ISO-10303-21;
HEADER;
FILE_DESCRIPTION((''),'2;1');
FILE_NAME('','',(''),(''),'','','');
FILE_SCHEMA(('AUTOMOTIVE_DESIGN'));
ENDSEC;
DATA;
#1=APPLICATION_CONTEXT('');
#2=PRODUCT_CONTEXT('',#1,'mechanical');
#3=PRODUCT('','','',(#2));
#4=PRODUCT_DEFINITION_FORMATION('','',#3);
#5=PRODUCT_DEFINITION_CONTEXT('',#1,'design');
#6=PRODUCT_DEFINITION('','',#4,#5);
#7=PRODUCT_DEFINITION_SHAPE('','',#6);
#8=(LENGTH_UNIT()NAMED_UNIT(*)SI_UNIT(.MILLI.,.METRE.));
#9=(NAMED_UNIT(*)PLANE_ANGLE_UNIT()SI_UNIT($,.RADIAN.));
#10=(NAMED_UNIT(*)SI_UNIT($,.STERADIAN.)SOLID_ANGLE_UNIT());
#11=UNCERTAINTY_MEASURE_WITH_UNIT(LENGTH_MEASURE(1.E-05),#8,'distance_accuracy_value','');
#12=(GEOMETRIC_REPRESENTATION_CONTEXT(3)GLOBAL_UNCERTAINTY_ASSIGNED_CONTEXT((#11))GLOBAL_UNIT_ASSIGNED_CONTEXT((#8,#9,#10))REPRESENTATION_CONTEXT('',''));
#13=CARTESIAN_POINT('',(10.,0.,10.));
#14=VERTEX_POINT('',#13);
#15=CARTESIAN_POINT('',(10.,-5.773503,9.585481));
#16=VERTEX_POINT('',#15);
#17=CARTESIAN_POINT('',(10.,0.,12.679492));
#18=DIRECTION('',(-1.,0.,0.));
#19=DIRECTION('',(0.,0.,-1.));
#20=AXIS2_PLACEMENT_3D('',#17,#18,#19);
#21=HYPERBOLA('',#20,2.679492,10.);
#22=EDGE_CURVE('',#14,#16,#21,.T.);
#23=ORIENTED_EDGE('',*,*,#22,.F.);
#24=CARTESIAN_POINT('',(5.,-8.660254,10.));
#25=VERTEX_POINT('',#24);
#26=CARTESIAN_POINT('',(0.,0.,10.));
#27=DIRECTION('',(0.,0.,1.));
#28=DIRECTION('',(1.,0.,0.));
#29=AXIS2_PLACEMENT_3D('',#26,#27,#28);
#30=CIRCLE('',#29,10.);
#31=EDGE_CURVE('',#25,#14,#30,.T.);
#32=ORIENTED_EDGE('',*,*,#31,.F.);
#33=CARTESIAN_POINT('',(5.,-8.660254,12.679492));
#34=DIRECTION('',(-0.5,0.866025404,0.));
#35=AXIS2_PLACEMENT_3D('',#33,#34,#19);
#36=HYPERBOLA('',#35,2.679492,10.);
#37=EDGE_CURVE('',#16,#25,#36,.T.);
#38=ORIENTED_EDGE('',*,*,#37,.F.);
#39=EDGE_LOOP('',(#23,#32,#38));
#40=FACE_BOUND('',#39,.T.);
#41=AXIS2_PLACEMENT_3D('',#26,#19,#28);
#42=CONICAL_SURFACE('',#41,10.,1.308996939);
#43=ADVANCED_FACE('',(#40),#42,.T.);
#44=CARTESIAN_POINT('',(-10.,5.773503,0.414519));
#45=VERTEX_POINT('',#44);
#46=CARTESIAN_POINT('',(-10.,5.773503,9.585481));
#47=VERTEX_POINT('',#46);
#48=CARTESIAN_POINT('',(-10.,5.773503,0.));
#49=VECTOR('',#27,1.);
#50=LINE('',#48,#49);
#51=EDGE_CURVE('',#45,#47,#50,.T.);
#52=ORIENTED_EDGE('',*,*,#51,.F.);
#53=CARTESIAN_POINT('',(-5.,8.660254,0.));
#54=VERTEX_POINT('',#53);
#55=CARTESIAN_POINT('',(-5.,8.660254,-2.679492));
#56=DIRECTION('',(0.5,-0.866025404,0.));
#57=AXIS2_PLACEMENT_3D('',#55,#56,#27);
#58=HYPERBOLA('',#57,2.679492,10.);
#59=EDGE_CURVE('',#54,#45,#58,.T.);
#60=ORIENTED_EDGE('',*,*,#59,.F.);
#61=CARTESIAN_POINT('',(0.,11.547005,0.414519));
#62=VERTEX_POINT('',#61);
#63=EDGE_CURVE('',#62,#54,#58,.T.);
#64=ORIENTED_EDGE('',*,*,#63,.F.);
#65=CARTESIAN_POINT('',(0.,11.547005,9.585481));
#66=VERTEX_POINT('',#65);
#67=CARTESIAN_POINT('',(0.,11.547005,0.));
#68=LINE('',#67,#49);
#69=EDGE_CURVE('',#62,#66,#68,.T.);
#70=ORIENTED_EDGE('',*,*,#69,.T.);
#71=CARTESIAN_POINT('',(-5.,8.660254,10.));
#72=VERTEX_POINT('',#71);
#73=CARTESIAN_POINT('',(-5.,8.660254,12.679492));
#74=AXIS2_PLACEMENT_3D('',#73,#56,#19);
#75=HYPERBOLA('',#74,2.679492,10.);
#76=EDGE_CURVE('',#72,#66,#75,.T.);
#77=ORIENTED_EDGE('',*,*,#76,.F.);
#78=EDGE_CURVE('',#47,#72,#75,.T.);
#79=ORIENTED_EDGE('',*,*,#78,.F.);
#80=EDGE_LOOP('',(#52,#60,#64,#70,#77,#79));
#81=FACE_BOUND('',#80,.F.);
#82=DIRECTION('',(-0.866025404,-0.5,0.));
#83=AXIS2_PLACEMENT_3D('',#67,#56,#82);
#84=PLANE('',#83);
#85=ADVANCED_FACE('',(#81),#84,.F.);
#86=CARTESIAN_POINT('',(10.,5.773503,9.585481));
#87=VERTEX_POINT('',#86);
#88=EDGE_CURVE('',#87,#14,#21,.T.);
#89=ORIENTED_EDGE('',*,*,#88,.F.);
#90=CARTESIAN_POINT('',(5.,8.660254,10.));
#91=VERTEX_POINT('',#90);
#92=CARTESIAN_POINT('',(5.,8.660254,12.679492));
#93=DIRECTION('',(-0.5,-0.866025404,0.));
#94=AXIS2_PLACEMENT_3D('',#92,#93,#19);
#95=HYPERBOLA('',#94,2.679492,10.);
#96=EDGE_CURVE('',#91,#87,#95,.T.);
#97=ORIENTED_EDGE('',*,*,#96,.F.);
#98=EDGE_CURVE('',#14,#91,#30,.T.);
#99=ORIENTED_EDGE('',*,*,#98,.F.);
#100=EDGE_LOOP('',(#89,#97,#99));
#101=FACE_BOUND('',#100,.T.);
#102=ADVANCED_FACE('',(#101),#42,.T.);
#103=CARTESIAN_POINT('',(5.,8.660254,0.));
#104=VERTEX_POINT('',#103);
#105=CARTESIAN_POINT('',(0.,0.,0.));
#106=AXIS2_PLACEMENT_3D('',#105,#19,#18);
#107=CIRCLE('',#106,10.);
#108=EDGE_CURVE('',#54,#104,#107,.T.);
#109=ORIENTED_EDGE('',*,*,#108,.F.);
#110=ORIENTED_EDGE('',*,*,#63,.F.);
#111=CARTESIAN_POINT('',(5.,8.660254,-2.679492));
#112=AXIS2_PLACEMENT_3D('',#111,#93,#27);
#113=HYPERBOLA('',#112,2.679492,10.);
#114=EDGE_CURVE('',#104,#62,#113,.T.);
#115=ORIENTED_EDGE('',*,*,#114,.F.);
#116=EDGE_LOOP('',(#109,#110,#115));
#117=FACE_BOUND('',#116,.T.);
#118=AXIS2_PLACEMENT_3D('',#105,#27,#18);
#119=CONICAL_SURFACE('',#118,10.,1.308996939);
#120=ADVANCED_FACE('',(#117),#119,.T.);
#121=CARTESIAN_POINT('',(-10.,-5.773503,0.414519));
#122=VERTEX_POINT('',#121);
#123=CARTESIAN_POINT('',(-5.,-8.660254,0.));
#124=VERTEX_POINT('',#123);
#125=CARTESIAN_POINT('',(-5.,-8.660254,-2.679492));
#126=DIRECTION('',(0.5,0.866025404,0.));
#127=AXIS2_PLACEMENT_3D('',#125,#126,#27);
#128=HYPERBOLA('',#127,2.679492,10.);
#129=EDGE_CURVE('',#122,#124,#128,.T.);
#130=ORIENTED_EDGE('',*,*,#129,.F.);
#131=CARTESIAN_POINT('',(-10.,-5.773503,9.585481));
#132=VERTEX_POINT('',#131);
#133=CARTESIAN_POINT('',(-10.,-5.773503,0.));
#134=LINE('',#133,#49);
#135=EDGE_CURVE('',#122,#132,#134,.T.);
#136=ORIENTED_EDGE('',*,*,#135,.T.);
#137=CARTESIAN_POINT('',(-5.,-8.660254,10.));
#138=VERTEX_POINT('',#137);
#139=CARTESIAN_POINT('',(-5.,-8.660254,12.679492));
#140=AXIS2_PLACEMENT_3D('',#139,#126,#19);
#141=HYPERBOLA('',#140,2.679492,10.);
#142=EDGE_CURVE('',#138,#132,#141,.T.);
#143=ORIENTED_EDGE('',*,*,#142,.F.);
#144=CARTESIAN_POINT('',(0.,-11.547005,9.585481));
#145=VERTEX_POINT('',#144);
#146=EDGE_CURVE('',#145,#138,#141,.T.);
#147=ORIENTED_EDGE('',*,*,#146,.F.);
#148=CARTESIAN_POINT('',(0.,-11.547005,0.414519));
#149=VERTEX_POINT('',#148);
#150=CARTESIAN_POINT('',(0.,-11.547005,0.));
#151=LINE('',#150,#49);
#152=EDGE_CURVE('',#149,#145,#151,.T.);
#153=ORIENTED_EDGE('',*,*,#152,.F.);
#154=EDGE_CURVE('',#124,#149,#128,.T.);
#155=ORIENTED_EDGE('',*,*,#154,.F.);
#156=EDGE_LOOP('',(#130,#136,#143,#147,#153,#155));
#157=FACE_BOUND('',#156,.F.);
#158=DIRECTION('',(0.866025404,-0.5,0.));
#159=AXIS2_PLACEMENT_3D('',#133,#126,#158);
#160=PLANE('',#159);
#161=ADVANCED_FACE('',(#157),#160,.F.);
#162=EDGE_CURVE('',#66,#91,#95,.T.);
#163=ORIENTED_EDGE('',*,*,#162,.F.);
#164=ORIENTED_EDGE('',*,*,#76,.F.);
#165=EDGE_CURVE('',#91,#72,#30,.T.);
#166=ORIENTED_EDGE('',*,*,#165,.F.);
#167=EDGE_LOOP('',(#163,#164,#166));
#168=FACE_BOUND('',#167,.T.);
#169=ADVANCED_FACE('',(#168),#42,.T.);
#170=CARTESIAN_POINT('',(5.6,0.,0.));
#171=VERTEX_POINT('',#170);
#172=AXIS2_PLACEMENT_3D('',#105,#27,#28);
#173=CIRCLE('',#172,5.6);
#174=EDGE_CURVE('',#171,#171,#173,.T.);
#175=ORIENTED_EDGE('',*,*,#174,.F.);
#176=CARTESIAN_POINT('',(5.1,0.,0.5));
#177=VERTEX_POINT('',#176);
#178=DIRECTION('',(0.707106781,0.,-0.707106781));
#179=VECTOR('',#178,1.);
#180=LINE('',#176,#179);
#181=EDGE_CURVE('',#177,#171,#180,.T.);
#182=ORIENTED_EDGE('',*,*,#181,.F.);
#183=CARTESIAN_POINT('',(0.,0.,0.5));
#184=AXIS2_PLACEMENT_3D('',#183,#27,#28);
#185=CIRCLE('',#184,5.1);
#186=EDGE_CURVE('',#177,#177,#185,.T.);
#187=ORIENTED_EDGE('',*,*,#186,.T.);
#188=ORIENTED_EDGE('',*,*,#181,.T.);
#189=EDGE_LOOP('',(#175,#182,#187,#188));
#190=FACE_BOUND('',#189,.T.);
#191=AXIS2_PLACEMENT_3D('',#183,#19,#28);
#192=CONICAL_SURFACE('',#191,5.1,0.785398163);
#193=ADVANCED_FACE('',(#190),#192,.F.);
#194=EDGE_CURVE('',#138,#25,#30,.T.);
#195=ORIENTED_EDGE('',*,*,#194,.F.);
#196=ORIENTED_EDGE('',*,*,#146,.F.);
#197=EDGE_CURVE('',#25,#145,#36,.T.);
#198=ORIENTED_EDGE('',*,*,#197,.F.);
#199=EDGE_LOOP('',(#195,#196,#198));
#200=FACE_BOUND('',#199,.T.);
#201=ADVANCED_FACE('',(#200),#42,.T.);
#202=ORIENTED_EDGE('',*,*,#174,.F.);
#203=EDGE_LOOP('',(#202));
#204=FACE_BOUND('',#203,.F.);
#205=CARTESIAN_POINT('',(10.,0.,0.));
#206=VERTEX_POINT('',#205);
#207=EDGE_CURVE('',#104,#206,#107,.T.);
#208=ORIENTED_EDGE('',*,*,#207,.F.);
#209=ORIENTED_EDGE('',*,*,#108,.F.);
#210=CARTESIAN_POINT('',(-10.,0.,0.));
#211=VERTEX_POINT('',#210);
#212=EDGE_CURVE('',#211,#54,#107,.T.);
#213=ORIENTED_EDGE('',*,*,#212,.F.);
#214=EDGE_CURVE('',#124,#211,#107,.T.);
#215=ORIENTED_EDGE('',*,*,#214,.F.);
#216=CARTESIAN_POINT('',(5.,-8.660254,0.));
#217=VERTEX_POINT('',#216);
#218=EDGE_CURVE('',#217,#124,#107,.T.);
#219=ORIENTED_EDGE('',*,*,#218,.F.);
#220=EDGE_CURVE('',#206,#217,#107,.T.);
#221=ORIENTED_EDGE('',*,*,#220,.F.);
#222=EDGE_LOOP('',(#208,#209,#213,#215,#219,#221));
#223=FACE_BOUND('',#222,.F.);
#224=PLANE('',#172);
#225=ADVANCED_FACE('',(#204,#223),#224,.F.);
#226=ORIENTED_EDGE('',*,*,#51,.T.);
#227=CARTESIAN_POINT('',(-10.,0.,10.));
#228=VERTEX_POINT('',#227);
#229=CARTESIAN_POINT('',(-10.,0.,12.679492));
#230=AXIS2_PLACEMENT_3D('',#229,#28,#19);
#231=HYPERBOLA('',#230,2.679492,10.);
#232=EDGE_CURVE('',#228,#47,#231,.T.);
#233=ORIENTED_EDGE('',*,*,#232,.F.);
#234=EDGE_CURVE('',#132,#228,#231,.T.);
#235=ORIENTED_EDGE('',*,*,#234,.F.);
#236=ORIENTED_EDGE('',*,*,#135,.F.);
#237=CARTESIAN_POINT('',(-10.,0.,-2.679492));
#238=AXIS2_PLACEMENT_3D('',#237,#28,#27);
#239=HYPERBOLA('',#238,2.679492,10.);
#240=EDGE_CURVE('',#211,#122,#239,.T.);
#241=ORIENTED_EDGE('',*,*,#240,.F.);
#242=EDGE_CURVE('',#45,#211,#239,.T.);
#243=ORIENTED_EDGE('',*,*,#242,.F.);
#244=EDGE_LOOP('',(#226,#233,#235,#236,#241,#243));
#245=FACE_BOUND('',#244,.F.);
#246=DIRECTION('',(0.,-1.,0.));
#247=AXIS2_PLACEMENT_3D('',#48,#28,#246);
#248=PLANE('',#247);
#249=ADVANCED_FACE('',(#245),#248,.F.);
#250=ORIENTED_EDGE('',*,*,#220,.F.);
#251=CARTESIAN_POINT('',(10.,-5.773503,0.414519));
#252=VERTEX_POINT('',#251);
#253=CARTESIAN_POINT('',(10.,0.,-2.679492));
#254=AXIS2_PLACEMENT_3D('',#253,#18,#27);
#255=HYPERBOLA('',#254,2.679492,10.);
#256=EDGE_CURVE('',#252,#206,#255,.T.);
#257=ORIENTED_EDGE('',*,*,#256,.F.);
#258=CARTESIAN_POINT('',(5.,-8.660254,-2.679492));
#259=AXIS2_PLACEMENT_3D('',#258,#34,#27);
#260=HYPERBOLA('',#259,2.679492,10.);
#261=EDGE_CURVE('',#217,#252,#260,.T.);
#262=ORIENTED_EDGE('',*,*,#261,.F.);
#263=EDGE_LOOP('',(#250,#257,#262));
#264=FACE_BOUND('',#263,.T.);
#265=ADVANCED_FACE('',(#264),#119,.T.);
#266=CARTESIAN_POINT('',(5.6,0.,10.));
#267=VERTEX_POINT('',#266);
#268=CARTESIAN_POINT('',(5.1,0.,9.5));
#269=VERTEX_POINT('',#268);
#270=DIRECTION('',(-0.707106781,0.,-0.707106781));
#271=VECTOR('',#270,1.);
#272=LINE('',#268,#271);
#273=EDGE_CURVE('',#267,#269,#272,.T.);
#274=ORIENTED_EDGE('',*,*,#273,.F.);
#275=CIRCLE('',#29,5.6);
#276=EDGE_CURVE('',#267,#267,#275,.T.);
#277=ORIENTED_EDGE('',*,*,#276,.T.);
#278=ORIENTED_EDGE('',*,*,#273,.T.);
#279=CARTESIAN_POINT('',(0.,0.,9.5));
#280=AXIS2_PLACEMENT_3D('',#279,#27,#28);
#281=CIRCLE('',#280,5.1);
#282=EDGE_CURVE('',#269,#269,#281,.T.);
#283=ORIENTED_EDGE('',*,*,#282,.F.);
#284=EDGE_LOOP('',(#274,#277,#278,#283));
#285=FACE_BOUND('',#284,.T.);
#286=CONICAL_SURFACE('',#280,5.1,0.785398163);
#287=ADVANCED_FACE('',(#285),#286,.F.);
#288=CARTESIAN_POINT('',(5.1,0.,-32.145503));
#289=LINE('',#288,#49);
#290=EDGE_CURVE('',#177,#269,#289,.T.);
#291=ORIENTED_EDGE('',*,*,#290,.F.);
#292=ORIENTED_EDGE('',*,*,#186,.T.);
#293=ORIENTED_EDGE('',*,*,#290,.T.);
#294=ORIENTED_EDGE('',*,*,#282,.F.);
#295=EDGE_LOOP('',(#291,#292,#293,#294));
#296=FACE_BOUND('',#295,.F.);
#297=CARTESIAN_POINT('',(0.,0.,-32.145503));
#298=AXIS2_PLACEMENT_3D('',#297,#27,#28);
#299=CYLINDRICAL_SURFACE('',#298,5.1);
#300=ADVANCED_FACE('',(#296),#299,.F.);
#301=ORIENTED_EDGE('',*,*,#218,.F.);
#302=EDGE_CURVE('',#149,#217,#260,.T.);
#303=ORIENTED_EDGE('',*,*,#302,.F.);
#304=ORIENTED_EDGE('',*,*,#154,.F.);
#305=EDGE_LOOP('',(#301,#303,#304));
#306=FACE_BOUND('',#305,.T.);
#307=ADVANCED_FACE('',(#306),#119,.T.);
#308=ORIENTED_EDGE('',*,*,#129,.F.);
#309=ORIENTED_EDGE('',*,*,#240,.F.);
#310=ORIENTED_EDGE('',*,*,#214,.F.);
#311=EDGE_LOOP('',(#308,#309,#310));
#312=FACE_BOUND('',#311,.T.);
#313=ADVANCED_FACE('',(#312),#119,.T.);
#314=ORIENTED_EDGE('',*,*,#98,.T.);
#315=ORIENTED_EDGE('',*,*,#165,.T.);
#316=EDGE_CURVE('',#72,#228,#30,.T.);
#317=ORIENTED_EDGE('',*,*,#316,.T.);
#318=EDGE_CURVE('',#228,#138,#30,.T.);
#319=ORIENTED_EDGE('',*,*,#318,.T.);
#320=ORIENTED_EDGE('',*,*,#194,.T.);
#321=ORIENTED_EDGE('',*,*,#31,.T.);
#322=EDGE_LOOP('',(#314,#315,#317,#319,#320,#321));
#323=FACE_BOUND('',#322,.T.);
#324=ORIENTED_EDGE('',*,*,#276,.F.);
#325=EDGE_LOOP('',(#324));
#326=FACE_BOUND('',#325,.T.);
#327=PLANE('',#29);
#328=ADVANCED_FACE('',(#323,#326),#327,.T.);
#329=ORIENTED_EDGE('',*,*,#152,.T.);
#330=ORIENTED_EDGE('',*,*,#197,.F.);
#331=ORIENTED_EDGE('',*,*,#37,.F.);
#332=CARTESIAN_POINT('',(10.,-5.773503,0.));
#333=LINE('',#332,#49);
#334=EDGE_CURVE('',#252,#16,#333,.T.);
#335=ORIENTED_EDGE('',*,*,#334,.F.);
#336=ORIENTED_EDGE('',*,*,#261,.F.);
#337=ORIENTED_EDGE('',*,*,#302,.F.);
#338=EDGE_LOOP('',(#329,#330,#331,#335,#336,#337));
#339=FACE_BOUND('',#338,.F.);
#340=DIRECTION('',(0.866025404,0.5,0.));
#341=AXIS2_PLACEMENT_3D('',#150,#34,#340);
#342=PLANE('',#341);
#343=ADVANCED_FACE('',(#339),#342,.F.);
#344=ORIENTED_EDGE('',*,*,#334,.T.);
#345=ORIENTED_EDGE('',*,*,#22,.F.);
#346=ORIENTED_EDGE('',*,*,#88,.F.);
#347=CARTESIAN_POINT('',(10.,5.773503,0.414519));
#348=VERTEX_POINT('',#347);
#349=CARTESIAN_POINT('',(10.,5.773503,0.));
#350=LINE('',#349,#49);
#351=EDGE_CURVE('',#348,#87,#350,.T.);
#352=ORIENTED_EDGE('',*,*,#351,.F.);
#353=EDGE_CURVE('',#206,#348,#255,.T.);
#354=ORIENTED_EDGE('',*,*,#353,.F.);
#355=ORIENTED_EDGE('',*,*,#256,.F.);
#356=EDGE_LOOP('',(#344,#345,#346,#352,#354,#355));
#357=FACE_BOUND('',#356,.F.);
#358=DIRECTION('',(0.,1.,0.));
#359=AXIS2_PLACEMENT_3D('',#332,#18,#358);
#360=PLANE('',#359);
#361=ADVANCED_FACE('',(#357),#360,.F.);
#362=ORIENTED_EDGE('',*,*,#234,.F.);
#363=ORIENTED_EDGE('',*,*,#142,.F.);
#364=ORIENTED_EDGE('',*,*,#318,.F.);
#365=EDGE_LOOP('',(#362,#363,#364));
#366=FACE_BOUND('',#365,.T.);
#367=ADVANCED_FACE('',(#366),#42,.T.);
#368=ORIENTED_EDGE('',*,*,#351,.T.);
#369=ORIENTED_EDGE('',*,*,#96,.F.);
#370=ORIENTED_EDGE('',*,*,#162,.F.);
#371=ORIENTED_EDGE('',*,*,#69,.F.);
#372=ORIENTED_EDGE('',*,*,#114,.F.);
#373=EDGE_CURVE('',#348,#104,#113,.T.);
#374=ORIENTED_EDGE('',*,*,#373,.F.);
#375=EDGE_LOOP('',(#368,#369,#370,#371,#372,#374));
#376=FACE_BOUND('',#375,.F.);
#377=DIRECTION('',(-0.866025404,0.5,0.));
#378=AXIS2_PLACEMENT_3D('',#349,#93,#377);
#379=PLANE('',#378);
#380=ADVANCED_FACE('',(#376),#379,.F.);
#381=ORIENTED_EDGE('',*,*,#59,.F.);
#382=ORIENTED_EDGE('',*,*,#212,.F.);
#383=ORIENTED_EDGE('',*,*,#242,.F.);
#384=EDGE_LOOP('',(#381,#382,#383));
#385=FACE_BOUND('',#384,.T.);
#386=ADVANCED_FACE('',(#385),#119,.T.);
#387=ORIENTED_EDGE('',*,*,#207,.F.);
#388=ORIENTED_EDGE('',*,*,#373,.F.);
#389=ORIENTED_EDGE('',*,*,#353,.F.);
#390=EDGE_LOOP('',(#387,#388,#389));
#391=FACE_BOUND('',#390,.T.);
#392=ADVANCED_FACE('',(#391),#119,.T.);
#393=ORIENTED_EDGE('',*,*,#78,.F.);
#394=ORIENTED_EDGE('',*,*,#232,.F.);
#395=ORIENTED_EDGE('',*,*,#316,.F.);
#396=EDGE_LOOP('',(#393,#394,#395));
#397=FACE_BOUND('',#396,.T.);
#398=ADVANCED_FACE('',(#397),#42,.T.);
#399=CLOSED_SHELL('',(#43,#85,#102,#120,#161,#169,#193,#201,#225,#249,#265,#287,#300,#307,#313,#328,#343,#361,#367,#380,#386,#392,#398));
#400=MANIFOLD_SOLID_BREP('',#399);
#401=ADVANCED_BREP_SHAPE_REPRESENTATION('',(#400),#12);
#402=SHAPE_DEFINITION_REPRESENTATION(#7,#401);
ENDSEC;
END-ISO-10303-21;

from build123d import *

# Parameters (mm, degrees)
RESSALTO_EXTRUS_O1_DEPTH = 10
ESBO_O2_OUTSIDE_W        = 140.39
ESBO_O2_OUTSIDE_H        = 143.484
ESBO_O2_OUTSIDE_R        = 10
CORTE_EXTRUS_O1_DEPTH    = 15
CORTE_EXTRUS_O1_DRAFT    = -75
ESBO_O3_OUTSIDE_W        = 140.39
ESBO_O3_OUTSIDE_H        = 143.484
ESBO_O3_OUTSIDE_R        = 10
CORTE_EXTRUS_O2_DEPTH    = 15
CORTE_EXTRUS_O2_DRAFT    = -75
FURO_ROSCADO_DE_M121_D   = 10.2
CHANFRO3_SIZE            = 0.5
CHANFRO4_SIZE            = 0.5


with BuildPart() as part:
    # Esboço1 → Ressalto-extrusão1 (new body)
    with BuildSketch(Plane.XY):
        Polygon((0, 11.547005384), (-10, 5.773502692), (-10, -5.773502692), (0, -11.547005384), (10, -5.773502692), (10, 5.773502692), align=None)
    extrude(amount=RESSALTO_EXTRUS_O1_DEPTH)


with BuildPart() as corte_extrus_o1_tool:
    # Esboço2 outside → Corte-extrusão1 (with draft: the straight prism first)
    with BuildSketch(Plane.XY.offset(10)):
        Rectangle(ESBO_O2_OUTSIDE_W, ESBO_O2_OUTSIDE_H)
        Circle(ESBO_O2_OUTSIDE_R, mode=Mode.SUBTRACT)
    extrude(amount=-CORTE_EXTRUS_O1_DEPTH)
    # Corte-extrusão1: the draft: its side faces are tilted about the plane it starts from
    corte_extrus_o1_sides = [corte_extrus_o1_tool.faces().sort_by_distance(p)[0] for p in [
        (0, -71.742, 2.5),
        (70.195, 0, 2.5),
        (0, 71.742, 2.5),
        (-70.195, 0, 2.5),
        (-10, 0, 2.5),
    ]]
    draft(corte_extrus_o1_sides, Plane.XY.offset(10), CORTE_EXTRUS_O1_DRAFT)


with BuildPart() as part_1:
    add(part.part)

    # Corte-extrusão1: cut by corte_extrus_o1_tool
    add(corte_extrus_o1_tool.part, mode=Mode.SUBTRACT)


with BuildPart() as corte_extrus_o2_tool:
    # Esboço3 outside → Corte-extrusão2 (with draft: the straight prism first)
    with BuildSketch(Plane(origin=(0, 0, 0), x_dir=(-1, 0, 0), z_dir=(0, 0, -1))):
        Rectangle(ESBO_O3_OUTSIDE_W, ESBO_O3_OUTSIDE_H)
        Circle(ESBO_O3_OUTSIDE_R, mode=Mode.SUBTRACT)
    extrude(amount=-CORTE_EXTRUS_O2_DEPTH)
    # Corte-extrusão2: the draft: its side faces are tilted about the plane it starts from
    corte_extrus_o2_sides = [corte_extrus_o2_tool.faces().sort_by_distance(p)[0] for p in [
        (0, -71.742, 7.5),
        (-70.195, 0, 7.5),
        (0, 71.742, 7.5),
        (70.195, 0, 7.5),
        (10, 0, 7.5),
    ]]
    draft(corte_extrus_o2_sides, Plane(origin=(0, 0, 0), x_dir=(-1, 0, 0), z_dir=(0, 0, -1)), CORTE_EXTRUS_O2_DRAFT)


with BuildPart() as part_2:
    add(part_1.part)

    # Corte-extrusão2: cut by corte_extrus_o2_tool
    add(corte_extrus_o2_tool.part, mode=Mode.SUBTRACT)

    # Furo roscado de M121 (through all)
    with Locations(Plane(origin=(0, 0, 0), x_dir=(-1, 0, 0), z_dir=(0, 0, -1))):
        with Locations((0, 0)):
            Hole(FURO_ROSCADO_DE_M121_D / 2)

    # Chanfro3
    chanfro3_edges = [part_2.edges().sort_by_distance(p)[0] for p in [
        (-5.1, 0, 10),
    ]]
    chamfer(chanfro3_edges, length=CHANFRO3_SIZE)

    # Chanfro4
    chanfro4_edges = [part_2.edges().sort_by_distance(p)[0] for p in [
        (-5.1, 0, 0),
    ]]
    chamfer(chanfro4_edges, length=CHANFRO4_SIZE)


solid = part_2.part
